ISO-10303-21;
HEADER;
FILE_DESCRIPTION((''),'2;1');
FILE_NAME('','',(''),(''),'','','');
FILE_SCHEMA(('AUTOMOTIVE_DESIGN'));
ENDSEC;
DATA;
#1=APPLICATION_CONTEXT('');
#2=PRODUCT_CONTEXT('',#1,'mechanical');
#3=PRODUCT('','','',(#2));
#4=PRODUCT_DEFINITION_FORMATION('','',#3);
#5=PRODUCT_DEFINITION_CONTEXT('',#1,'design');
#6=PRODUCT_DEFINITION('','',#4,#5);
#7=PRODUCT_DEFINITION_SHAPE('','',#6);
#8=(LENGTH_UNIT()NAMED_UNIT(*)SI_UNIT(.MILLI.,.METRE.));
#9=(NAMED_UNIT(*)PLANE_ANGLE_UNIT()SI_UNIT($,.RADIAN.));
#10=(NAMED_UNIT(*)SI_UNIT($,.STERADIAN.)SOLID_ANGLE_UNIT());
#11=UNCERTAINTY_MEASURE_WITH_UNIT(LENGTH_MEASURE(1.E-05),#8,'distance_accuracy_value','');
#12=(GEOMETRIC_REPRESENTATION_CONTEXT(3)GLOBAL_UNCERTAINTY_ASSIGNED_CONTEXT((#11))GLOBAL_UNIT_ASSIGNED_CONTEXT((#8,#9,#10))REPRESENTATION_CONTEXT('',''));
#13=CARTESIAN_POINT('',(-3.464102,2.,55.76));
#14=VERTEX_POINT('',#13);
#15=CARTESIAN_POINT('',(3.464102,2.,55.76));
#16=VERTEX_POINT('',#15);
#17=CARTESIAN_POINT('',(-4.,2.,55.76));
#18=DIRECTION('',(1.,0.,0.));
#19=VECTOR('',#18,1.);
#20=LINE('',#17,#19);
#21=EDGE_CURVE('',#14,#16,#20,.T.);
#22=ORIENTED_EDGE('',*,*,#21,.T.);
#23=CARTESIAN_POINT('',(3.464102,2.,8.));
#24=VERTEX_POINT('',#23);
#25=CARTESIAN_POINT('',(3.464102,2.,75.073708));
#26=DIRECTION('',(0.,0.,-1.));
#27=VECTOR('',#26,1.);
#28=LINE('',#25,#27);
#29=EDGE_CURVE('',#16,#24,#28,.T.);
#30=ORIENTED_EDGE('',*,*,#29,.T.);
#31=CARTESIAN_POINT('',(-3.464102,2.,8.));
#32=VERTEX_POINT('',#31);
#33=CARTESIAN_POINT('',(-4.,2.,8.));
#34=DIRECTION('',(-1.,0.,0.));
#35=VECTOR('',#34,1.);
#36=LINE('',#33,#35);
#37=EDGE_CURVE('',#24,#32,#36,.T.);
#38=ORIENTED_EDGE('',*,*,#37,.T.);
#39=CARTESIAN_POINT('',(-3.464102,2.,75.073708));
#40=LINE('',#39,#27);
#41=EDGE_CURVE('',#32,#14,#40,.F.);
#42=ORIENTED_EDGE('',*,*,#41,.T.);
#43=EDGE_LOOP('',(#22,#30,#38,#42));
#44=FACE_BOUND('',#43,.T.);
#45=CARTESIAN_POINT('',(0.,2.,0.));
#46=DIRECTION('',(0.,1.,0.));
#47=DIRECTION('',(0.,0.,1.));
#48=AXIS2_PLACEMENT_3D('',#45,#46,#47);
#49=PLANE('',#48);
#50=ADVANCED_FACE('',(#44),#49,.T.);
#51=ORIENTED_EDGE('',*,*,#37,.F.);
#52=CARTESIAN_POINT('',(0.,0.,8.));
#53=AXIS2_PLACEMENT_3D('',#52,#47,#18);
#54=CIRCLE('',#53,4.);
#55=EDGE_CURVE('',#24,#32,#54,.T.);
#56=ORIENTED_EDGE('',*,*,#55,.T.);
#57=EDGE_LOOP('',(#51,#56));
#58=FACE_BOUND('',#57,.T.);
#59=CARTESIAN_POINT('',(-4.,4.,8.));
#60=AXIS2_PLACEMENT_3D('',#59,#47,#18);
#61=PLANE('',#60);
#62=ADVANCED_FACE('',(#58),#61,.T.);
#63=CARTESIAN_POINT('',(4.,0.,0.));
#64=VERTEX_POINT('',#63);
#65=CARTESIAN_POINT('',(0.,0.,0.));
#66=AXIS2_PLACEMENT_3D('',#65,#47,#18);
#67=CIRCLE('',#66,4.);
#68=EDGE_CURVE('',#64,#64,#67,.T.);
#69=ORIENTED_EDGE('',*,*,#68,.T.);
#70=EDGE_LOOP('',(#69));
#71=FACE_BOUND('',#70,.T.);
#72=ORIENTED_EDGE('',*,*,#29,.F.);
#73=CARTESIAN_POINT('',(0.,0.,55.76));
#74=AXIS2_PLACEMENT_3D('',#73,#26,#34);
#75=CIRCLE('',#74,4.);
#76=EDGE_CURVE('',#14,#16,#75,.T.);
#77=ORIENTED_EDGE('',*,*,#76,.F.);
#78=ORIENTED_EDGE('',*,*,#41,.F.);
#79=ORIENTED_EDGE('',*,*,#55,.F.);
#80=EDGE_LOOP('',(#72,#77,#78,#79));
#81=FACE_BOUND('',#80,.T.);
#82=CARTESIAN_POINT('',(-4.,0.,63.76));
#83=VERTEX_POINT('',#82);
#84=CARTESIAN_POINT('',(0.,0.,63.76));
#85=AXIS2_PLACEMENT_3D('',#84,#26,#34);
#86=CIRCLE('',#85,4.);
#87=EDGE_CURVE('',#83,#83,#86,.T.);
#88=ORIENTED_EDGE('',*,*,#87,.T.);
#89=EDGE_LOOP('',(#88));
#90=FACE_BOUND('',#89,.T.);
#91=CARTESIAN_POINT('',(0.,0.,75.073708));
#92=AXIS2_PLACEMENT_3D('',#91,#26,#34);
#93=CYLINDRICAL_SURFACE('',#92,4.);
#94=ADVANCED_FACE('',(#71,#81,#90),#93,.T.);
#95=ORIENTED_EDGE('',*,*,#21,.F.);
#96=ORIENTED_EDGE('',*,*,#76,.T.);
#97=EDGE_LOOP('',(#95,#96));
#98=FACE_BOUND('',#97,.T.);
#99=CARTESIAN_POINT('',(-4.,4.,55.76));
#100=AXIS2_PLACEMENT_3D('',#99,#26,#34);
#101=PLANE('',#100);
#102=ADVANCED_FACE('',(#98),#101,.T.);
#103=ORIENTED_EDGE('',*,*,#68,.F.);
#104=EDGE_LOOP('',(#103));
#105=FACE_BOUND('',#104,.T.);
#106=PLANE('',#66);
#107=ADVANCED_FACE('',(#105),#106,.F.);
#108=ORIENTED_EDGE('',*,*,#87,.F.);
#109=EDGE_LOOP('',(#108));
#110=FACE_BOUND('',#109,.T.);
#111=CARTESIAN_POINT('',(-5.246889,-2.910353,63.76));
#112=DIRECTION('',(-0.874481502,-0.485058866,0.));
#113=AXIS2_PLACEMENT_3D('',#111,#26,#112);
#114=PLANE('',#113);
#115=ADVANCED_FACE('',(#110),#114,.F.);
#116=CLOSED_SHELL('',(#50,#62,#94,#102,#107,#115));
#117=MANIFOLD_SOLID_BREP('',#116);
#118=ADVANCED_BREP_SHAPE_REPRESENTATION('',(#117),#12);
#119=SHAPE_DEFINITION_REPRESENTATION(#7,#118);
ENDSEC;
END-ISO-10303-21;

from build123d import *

# Parameters (mm, degrees)
SKETCH1_R           = 4
BOSS_EXTRUDE1_DEPTH = 63.76
SKETCH2_W           = 8
SKETCH2_H           = 47.76
CUT_EXTRUDE1_DEPTH  = 65.166483463


with BuildPart() as part:
    # Sketch1 → Boss-Extrude1 (new body)
    with BuildSketch(Plane.XY):
        with Locations(Location((0, 0, 0), (0, 0, 180))):
            Circle(SKETCH1_R)
    extrude(amount=BOSS_EXTRUDE1_DEPTH)

    # Sketch2 → Cut-Extrude1 (cut, through all)
    with BuildSketch(Plane(origin=(0, 2, 0), x_dir=(1, 0, 0), z_dir=(0, 1, 0))):
        with Locations((0, -31.88)):
            Rectangle(SKETCH2_W, SKETCH2_H)
    extrude(amount=CUT_EXTRUDE1_DEPTH, mode=Mode.SUBTRACT)


solid = part.part
